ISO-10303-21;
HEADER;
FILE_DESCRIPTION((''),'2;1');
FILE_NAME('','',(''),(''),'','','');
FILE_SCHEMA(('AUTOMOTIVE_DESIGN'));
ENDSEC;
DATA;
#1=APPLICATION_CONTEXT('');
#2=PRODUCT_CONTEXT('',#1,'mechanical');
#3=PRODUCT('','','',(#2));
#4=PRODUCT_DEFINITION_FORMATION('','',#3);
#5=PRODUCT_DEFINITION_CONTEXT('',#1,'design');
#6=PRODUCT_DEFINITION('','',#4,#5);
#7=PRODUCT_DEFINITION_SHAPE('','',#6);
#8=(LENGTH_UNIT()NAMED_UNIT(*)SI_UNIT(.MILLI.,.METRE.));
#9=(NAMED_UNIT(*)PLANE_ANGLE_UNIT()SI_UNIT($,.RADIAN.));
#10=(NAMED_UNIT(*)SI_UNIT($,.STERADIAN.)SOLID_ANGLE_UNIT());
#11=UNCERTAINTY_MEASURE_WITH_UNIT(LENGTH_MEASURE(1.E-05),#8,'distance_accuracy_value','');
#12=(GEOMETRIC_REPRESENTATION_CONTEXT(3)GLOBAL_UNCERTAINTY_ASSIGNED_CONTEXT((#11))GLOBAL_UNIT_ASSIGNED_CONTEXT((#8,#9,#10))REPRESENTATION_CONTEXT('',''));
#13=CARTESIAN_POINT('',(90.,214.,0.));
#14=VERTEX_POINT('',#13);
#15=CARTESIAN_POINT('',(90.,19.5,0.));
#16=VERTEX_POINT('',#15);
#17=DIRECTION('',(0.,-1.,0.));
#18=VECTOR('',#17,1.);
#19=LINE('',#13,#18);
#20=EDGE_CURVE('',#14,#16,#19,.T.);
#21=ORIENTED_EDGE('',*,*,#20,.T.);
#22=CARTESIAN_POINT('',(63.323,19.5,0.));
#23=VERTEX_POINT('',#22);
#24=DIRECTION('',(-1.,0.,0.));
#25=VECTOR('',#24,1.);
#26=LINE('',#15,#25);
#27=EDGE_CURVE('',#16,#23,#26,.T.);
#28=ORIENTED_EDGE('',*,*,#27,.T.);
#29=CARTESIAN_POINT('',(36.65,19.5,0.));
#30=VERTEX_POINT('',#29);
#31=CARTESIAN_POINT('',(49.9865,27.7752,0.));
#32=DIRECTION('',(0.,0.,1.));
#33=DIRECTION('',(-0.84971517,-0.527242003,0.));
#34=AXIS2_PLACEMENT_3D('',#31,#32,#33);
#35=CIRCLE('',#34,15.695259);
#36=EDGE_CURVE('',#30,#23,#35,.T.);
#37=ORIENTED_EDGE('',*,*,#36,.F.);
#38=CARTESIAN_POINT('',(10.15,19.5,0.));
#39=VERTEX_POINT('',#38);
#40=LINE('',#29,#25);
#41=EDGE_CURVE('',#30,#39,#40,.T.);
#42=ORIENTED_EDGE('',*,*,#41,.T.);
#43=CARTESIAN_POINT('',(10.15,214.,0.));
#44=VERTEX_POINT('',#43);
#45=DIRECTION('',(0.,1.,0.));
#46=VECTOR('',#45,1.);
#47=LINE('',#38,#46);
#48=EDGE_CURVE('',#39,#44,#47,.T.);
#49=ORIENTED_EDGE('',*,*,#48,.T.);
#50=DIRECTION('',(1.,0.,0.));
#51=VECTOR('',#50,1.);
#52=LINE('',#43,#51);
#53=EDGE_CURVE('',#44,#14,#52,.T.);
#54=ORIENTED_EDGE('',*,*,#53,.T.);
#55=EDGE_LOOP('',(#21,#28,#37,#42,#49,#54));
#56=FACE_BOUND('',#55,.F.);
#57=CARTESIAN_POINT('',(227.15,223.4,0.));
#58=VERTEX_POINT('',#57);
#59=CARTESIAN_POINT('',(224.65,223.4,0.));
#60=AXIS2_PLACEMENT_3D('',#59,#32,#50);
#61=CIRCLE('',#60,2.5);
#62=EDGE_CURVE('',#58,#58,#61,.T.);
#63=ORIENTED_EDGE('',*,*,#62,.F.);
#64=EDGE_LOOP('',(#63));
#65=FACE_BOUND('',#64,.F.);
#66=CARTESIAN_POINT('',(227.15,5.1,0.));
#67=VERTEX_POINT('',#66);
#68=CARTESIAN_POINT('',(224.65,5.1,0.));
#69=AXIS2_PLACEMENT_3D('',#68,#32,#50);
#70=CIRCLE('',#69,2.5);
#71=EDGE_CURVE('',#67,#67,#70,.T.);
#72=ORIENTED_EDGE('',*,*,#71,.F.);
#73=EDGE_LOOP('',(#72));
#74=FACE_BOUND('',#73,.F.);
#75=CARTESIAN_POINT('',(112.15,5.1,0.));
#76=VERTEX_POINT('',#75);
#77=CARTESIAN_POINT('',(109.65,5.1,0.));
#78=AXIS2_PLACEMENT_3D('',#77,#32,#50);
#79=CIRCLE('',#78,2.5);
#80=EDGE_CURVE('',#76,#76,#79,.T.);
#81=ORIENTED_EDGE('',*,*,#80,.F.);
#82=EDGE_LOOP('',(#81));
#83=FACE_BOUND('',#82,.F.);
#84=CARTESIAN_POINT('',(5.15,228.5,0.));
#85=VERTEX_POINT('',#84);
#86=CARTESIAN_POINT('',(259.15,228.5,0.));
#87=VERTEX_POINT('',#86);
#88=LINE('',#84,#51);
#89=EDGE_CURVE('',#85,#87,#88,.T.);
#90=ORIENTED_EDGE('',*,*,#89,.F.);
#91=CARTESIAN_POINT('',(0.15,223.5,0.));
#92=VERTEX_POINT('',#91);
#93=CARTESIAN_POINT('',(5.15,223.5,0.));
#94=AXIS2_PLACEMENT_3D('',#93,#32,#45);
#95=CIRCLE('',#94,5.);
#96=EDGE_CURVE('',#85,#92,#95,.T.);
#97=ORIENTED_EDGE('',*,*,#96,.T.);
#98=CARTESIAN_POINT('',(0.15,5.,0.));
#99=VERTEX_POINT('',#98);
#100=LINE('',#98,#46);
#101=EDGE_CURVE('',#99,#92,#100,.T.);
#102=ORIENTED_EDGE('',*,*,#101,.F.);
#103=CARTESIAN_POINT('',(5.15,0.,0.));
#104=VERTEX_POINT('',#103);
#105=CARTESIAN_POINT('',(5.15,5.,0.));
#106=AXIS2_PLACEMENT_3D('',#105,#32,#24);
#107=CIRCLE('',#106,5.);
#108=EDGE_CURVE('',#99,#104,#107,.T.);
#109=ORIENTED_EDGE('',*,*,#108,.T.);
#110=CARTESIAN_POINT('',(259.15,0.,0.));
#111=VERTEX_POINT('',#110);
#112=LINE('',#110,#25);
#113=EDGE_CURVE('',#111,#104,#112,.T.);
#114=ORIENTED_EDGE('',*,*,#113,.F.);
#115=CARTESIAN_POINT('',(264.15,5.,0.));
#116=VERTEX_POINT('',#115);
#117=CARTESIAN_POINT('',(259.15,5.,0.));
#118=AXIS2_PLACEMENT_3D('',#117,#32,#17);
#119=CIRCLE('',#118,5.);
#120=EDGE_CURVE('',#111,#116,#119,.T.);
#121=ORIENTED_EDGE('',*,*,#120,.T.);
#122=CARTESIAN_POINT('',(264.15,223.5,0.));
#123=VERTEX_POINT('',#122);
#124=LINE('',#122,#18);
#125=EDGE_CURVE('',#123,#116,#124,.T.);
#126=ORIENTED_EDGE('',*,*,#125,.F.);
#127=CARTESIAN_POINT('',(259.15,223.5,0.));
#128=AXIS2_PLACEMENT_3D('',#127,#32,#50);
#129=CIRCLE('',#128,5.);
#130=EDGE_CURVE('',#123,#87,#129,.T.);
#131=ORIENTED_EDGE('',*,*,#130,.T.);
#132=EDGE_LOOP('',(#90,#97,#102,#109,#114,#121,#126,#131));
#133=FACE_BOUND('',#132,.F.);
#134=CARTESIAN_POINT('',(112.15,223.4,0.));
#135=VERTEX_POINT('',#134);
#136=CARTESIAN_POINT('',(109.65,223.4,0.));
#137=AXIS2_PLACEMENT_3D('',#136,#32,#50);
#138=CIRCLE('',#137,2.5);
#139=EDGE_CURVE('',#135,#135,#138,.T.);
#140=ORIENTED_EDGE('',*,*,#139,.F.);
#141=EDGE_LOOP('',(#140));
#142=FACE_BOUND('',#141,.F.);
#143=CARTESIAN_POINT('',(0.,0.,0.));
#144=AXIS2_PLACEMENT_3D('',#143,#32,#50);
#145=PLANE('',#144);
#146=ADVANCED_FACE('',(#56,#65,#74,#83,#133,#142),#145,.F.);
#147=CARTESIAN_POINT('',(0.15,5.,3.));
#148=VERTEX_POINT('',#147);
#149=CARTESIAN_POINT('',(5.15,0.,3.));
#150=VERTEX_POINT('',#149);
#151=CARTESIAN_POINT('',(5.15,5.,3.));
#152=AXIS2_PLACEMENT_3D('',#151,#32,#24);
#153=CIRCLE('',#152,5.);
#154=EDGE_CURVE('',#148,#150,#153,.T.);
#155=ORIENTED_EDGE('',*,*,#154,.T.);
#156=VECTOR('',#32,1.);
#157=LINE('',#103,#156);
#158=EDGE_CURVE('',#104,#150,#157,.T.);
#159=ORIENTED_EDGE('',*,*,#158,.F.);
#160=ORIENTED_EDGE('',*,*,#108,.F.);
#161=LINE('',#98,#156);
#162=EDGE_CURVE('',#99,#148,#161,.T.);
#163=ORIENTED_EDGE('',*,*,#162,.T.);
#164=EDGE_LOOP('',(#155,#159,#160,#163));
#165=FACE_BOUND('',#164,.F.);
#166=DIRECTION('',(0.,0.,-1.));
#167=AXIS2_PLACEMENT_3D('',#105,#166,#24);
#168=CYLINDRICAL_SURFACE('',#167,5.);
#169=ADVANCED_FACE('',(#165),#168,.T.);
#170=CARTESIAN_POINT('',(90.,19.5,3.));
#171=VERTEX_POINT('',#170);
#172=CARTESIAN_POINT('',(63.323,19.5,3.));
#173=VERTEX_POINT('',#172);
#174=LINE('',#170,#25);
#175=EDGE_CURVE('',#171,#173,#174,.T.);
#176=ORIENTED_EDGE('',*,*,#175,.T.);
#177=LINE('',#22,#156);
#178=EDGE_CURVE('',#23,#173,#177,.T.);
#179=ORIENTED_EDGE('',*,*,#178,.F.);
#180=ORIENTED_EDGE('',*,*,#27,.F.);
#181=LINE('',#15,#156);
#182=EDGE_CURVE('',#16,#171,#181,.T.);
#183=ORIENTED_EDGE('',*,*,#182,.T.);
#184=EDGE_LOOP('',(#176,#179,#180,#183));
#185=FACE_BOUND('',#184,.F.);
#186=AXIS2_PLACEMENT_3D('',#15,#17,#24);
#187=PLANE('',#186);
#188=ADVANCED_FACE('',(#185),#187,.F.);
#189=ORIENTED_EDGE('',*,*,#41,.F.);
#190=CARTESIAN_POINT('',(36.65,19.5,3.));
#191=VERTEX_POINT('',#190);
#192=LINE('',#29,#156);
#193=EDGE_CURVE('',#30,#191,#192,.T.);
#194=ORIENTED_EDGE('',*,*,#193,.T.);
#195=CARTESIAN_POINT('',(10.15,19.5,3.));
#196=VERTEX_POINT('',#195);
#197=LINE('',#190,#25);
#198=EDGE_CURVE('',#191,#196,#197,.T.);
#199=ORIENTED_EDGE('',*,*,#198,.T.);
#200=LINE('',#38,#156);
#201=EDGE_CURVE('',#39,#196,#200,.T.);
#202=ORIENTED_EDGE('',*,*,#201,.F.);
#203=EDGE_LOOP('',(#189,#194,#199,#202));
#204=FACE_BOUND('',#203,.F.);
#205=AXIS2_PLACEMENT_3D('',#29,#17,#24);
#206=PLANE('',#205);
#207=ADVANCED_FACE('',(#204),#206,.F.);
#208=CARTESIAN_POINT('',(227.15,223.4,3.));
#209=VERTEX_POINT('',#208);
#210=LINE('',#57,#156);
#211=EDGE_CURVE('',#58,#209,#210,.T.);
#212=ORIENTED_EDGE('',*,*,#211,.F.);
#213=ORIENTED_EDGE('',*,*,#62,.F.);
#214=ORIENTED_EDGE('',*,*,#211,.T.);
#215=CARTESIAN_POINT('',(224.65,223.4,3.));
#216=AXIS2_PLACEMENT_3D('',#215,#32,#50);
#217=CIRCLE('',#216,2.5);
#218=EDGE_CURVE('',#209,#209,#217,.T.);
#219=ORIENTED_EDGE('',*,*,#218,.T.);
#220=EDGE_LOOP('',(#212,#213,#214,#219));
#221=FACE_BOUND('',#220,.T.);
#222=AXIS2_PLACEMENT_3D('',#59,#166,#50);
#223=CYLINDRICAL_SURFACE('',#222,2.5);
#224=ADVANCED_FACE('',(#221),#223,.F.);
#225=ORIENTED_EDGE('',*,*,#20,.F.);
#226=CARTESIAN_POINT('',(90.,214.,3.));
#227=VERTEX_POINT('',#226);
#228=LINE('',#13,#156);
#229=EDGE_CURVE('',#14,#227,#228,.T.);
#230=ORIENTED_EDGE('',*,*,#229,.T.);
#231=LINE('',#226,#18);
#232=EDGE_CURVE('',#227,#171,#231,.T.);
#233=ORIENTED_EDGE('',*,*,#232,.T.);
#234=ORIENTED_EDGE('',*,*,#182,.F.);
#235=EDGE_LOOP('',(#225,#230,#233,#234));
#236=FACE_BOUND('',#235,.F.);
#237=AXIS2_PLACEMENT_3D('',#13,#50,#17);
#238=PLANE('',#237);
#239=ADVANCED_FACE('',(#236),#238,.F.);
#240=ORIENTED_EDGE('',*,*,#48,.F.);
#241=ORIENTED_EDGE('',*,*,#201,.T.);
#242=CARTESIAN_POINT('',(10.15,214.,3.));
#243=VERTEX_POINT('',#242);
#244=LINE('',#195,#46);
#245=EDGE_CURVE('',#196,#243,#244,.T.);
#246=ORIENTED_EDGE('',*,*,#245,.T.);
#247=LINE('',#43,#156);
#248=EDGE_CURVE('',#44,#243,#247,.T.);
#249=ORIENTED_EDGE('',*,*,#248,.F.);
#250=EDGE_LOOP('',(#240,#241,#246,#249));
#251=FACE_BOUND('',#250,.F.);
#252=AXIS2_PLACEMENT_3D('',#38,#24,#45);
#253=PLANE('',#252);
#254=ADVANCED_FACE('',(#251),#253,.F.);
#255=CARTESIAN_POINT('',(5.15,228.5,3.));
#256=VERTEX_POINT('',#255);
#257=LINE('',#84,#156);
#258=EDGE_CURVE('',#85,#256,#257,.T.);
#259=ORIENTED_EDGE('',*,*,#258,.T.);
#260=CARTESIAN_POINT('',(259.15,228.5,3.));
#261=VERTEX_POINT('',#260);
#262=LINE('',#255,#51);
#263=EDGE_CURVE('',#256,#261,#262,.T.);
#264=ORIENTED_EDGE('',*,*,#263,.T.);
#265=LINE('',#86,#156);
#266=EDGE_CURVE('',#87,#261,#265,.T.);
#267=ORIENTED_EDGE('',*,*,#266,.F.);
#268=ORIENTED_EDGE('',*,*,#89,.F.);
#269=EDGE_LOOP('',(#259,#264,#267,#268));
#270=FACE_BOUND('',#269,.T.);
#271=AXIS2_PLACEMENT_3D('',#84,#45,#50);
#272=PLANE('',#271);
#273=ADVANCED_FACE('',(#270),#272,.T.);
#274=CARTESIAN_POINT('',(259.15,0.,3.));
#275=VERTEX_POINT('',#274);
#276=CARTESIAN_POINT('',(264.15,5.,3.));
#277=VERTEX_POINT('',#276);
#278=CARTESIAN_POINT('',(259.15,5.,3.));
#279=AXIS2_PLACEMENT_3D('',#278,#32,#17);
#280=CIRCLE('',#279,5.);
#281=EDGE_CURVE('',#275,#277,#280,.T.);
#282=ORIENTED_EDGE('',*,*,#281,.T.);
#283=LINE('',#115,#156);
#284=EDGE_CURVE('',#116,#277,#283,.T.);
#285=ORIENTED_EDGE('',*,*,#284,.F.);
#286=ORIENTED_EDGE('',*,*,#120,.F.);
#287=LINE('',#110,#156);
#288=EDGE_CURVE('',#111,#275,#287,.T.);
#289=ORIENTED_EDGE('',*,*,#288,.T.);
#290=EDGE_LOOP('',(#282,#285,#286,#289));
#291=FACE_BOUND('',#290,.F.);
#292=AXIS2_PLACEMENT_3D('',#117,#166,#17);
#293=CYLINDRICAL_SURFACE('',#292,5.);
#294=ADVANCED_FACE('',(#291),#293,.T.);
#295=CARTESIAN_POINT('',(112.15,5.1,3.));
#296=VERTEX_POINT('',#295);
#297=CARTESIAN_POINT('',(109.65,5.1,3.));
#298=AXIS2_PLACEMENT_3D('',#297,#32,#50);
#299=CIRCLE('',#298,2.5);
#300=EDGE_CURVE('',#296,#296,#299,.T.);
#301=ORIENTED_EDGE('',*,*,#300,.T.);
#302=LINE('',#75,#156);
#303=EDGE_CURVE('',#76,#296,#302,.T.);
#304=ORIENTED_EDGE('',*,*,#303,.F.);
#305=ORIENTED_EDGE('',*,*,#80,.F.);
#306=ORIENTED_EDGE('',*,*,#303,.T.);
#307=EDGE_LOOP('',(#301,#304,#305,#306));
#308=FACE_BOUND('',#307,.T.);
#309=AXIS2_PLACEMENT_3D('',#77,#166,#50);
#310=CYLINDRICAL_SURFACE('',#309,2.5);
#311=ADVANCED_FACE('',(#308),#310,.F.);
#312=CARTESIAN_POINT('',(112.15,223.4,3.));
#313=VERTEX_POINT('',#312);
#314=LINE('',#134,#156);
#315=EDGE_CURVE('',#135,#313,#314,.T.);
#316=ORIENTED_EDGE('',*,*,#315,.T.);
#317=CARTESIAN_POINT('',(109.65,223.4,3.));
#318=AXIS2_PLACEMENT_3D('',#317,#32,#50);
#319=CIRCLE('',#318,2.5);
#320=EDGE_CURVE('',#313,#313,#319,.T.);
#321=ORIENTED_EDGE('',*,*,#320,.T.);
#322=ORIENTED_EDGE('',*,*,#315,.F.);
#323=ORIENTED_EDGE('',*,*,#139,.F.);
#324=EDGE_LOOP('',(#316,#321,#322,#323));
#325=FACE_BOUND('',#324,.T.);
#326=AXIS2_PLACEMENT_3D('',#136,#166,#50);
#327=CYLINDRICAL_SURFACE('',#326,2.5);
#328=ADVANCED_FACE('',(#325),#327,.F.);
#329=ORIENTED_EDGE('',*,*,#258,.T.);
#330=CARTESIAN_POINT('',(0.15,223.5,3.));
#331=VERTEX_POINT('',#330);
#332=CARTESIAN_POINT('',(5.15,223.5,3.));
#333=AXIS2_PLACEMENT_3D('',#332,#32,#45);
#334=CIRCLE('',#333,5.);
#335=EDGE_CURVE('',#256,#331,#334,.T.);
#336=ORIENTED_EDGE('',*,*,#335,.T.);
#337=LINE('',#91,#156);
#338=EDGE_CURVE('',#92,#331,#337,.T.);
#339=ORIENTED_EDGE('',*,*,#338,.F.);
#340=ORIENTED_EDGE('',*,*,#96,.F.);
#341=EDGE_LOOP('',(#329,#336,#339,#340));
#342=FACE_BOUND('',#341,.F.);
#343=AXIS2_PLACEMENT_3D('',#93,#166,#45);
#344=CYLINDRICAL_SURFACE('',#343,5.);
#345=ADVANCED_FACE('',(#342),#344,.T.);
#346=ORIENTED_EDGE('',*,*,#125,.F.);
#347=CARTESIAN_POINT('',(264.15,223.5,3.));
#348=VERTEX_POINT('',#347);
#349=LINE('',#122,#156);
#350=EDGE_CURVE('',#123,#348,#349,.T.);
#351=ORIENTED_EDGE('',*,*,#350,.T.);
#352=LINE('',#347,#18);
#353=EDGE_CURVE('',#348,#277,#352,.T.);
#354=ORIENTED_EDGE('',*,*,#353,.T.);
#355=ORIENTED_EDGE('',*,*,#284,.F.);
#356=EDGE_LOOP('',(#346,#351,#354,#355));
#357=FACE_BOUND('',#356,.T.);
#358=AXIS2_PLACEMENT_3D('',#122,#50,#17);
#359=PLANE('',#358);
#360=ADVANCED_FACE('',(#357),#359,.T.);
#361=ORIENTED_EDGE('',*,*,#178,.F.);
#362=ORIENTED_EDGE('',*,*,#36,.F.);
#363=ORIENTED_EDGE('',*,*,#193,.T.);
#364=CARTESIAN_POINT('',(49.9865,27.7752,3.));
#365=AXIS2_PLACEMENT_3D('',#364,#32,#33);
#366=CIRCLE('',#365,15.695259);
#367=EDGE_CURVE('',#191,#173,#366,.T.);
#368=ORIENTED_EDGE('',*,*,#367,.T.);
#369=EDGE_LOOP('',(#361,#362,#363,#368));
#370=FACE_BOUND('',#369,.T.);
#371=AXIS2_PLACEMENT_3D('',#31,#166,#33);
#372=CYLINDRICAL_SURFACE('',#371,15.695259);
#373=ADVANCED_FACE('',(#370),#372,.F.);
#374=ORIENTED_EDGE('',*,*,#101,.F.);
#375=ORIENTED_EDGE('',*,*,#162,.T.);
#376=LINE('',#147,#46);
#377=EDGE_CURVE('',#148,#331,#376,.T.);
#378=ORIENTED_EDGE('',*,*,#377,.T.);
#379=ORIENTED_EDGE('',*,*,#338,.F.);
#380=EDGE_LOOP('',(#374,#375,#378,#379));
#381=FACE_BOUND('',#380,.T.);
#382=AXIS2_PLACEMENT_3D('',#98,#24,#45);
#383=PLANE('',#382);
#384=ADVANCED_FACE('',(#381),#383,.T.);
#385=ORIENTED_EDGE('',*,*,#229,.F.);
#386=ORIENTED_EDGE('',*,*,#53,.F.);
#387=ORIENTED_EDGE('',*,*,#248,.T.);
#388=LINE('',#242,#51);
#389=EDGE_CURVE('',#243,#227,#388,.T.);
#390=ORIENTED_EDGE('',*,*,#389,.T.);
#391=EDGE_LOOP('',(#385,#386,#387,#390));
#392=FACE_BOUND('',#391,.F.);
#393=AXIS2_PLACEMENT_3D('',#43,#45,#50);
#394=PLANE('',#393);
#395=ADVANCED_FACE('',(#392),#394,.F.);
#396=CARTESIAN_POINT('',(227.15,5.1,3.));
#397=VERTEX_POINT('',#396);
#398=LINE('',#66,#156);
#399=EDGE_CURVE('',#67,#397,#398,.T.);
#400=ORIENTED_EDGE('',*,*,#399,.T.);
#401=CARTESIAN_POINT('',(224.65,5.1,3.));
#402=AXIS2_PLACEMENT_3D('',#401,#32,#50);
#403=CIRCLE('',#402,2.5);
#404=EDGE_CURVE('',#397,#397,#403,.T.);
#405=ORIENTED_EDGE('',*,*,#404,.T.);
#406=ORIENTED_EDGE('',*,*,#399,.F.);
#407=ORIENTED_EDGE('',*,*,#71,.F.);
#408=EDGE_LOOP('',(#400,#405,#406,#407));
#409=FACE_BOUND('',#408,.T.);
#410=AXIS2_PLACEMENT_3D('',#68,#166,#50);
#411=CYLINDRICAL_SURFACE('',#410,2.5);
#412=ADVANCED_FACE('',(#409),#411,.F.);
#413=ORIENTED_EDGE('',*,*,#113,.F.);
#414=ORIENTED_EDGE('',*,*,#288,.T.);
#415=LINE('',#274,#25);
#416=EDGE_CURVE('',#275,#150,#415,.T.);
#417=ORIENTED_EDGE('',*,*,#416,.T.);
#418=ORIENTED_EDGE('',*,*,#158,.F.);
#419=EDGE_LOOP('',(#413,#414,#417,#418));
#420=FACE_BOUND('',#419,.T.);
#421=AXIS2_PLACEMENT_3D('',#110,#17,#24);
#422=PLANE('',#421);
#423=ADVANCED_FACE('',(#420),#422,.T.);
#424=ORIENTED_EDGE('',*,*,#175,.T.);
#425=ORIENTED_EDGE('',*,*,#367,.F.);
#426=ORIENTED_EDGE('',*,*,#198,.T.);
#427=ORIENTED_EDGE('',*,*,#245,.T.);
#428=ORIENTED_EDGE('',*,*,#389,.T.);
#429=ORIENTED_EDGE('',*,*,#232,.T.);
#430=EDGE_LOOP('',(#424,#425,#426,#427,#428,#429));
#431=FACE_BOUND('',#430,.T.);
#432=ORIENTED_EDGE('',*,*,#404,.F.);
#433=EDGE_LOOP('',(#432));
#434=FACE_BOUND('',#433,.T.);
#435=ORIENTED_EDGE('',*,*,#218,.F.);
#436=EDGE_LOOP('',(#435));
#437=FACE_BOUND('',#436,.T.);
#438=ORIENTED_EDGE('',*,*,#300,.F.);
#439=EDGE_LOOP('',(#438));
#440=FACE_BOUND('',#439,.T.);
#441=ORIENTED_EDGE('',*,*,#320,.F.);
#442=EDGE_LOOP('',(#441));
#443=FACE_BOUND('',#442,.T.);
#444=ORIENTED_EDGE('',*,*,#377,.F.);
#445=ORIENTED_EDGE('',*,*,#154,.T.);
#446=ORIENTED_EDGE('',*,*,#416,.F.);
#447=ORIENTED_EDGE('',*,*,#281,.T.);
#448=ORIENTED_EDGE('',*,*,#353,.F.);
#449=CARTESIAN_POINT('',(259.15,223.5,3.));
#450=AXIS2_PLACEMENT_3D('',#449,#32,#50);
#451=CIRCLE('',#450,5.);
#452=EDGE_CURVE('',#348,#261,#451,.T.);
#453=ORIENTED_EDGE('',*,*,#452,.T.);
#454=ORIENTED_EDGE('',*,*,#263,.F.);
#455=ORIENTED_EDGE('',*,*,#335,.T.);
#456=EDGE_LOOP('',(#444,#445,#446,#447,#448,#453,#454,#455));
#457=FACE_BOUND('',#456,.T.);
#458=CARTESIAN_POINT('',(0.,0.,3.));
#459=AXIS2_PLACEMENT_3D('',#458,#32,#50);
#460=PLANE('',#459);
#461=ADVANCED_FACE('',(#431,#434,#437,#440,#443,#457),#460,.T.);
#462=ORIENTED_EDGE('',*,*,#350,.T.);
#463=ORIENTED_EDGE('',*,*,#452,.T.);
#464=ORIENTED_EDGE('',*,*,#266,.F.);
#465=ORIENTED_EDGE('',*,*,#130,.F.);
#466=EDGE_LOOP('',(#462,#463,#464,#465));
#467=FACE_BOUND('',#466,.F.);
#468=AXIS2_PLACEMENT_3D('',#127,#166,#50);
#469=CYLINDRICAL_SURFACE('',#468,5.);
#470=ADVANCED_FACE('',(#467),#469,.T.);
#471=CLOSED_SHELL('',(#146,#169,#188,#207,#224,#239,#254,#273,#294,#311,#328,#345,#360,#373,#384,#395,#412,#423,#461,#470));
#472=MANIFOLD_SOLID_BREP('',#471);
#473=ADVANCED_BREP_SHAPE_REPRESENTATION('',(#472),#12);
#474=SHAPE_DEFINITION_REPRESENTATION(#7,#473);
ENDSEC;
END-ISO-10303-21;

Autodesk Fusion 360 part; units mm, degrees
sketch "Top Panel" plane through (0, 0, 0) normal (0, 0, 1) x (1, 0, 0)
  line L0 (5.15, 228.5) -> (259.15, 228.5)
  line L1 (264.15, 223.5) -> (264.15, 5)
  line L2 (259.15, 0) -> (5.15, 0)
  line L3 (0.15, 5) -> (0.15, 223.5)
  line L4 (10.15, 214) -> (90, 214)
  line L5 (90, 214) -> (90, 19.5)
  line L6 (10.15, 19.5) -> (10.15, 214)
  line L7 (50.075, 27.7654) -> (10.15, 27.7654) construction
  line L8 (50.075, 27.7654) -> (90, 27.7654) construction
  line L9 (50.075, 27.7654) -> (50.075, 12) construction
  arc A0 (36.65, 19.5) -> (63.323, 19.5) centre (49.9865, 27.7752) ccw
  arc A1 (264.15, 223.5) -> (259.15, 228.5) centre (259.15, 223.5) ccw
  arc A2 (259.15, 0) -> (264.15, 5) centre (259.15, 5) ccw
  arc A3 (0.15, 5) -> (5.15, 0) centre (5.15, 5) ccw
  arc A4 (5.15, 228.5) -> (0.15, 223.5) centre (5.15, 223.5) ccw
  circle A5 centre (109.65, 5.1) radius 2.5
  line L10 (109.65, 5.1) -> (107.15, 5.1) construction
  line L11 (109.65, 5.1) -> (109.65, 2.6) construction
  line L12 (109.65, 2.6) -> (109.65, 0) construction
  line L13 (107.15, 5.1) -> (0.15, 5.1) construction
  circle A6 centre (224.65, 5.1) radius 2.5
  line L14 (224.65, 5.1) -> (227.15, 5.1) construction
  line L15 (224.65, 2.6) -> (224.65, 5.1) construction
  line L16 (224.65, 2.6) -> (224.65, 0) construction
  line L17 (227.15, 5.1) -> (264.15, 5.1) construction
  circle A7 centre (109.65, 223.4) radius 2.5
  circle A8 centre (224.65, 223.4) radius 2.5
  line L18 (109.65, 223.4) -> (107.15, 223.4) construction
  line L19 (109.65, 223.4) -> (109.65, 225.9) construction
  line L20 (107.15, 223.4) -> (0.15, 223.4) construction
  line L21 (224.65, 223.4) -> (224.65, 225.9) construction
  line L22 (224.65, 223.4) -> (227.15, 223.4) construction
  line L23 (224.65, 225.9) -> (224.65, 228.5) construction
  line L24 (227.15, 223.4) -> (264.15, 223.4) construction
  line L25 (109.65, 225.9) -> (109.65, 228.5) construction
  line L26 (90, 19.5) -> (63.323, 19.5)
  line L27 (36.65, 19.5) -> (10.15, 19.5)
  point P0 (36.65, 19.5)
  dimension "d1" = 264
  dimension "d2" = 228.5
  dimension "d3" = 79.85
  dimension "d4" = 10
  dimension "d6" = 14.5
  dimension "d8" = 12
  dimension "d9" = 26.5
  dimension "d10" = 5
  dimension "d17" = 2.6
  dimension "d18" = 107
  dimension "d19" = 2.5
  dimension "d20" = 37
extrude "Extrude1" add sketch "Top Panel" along normal blind 3
